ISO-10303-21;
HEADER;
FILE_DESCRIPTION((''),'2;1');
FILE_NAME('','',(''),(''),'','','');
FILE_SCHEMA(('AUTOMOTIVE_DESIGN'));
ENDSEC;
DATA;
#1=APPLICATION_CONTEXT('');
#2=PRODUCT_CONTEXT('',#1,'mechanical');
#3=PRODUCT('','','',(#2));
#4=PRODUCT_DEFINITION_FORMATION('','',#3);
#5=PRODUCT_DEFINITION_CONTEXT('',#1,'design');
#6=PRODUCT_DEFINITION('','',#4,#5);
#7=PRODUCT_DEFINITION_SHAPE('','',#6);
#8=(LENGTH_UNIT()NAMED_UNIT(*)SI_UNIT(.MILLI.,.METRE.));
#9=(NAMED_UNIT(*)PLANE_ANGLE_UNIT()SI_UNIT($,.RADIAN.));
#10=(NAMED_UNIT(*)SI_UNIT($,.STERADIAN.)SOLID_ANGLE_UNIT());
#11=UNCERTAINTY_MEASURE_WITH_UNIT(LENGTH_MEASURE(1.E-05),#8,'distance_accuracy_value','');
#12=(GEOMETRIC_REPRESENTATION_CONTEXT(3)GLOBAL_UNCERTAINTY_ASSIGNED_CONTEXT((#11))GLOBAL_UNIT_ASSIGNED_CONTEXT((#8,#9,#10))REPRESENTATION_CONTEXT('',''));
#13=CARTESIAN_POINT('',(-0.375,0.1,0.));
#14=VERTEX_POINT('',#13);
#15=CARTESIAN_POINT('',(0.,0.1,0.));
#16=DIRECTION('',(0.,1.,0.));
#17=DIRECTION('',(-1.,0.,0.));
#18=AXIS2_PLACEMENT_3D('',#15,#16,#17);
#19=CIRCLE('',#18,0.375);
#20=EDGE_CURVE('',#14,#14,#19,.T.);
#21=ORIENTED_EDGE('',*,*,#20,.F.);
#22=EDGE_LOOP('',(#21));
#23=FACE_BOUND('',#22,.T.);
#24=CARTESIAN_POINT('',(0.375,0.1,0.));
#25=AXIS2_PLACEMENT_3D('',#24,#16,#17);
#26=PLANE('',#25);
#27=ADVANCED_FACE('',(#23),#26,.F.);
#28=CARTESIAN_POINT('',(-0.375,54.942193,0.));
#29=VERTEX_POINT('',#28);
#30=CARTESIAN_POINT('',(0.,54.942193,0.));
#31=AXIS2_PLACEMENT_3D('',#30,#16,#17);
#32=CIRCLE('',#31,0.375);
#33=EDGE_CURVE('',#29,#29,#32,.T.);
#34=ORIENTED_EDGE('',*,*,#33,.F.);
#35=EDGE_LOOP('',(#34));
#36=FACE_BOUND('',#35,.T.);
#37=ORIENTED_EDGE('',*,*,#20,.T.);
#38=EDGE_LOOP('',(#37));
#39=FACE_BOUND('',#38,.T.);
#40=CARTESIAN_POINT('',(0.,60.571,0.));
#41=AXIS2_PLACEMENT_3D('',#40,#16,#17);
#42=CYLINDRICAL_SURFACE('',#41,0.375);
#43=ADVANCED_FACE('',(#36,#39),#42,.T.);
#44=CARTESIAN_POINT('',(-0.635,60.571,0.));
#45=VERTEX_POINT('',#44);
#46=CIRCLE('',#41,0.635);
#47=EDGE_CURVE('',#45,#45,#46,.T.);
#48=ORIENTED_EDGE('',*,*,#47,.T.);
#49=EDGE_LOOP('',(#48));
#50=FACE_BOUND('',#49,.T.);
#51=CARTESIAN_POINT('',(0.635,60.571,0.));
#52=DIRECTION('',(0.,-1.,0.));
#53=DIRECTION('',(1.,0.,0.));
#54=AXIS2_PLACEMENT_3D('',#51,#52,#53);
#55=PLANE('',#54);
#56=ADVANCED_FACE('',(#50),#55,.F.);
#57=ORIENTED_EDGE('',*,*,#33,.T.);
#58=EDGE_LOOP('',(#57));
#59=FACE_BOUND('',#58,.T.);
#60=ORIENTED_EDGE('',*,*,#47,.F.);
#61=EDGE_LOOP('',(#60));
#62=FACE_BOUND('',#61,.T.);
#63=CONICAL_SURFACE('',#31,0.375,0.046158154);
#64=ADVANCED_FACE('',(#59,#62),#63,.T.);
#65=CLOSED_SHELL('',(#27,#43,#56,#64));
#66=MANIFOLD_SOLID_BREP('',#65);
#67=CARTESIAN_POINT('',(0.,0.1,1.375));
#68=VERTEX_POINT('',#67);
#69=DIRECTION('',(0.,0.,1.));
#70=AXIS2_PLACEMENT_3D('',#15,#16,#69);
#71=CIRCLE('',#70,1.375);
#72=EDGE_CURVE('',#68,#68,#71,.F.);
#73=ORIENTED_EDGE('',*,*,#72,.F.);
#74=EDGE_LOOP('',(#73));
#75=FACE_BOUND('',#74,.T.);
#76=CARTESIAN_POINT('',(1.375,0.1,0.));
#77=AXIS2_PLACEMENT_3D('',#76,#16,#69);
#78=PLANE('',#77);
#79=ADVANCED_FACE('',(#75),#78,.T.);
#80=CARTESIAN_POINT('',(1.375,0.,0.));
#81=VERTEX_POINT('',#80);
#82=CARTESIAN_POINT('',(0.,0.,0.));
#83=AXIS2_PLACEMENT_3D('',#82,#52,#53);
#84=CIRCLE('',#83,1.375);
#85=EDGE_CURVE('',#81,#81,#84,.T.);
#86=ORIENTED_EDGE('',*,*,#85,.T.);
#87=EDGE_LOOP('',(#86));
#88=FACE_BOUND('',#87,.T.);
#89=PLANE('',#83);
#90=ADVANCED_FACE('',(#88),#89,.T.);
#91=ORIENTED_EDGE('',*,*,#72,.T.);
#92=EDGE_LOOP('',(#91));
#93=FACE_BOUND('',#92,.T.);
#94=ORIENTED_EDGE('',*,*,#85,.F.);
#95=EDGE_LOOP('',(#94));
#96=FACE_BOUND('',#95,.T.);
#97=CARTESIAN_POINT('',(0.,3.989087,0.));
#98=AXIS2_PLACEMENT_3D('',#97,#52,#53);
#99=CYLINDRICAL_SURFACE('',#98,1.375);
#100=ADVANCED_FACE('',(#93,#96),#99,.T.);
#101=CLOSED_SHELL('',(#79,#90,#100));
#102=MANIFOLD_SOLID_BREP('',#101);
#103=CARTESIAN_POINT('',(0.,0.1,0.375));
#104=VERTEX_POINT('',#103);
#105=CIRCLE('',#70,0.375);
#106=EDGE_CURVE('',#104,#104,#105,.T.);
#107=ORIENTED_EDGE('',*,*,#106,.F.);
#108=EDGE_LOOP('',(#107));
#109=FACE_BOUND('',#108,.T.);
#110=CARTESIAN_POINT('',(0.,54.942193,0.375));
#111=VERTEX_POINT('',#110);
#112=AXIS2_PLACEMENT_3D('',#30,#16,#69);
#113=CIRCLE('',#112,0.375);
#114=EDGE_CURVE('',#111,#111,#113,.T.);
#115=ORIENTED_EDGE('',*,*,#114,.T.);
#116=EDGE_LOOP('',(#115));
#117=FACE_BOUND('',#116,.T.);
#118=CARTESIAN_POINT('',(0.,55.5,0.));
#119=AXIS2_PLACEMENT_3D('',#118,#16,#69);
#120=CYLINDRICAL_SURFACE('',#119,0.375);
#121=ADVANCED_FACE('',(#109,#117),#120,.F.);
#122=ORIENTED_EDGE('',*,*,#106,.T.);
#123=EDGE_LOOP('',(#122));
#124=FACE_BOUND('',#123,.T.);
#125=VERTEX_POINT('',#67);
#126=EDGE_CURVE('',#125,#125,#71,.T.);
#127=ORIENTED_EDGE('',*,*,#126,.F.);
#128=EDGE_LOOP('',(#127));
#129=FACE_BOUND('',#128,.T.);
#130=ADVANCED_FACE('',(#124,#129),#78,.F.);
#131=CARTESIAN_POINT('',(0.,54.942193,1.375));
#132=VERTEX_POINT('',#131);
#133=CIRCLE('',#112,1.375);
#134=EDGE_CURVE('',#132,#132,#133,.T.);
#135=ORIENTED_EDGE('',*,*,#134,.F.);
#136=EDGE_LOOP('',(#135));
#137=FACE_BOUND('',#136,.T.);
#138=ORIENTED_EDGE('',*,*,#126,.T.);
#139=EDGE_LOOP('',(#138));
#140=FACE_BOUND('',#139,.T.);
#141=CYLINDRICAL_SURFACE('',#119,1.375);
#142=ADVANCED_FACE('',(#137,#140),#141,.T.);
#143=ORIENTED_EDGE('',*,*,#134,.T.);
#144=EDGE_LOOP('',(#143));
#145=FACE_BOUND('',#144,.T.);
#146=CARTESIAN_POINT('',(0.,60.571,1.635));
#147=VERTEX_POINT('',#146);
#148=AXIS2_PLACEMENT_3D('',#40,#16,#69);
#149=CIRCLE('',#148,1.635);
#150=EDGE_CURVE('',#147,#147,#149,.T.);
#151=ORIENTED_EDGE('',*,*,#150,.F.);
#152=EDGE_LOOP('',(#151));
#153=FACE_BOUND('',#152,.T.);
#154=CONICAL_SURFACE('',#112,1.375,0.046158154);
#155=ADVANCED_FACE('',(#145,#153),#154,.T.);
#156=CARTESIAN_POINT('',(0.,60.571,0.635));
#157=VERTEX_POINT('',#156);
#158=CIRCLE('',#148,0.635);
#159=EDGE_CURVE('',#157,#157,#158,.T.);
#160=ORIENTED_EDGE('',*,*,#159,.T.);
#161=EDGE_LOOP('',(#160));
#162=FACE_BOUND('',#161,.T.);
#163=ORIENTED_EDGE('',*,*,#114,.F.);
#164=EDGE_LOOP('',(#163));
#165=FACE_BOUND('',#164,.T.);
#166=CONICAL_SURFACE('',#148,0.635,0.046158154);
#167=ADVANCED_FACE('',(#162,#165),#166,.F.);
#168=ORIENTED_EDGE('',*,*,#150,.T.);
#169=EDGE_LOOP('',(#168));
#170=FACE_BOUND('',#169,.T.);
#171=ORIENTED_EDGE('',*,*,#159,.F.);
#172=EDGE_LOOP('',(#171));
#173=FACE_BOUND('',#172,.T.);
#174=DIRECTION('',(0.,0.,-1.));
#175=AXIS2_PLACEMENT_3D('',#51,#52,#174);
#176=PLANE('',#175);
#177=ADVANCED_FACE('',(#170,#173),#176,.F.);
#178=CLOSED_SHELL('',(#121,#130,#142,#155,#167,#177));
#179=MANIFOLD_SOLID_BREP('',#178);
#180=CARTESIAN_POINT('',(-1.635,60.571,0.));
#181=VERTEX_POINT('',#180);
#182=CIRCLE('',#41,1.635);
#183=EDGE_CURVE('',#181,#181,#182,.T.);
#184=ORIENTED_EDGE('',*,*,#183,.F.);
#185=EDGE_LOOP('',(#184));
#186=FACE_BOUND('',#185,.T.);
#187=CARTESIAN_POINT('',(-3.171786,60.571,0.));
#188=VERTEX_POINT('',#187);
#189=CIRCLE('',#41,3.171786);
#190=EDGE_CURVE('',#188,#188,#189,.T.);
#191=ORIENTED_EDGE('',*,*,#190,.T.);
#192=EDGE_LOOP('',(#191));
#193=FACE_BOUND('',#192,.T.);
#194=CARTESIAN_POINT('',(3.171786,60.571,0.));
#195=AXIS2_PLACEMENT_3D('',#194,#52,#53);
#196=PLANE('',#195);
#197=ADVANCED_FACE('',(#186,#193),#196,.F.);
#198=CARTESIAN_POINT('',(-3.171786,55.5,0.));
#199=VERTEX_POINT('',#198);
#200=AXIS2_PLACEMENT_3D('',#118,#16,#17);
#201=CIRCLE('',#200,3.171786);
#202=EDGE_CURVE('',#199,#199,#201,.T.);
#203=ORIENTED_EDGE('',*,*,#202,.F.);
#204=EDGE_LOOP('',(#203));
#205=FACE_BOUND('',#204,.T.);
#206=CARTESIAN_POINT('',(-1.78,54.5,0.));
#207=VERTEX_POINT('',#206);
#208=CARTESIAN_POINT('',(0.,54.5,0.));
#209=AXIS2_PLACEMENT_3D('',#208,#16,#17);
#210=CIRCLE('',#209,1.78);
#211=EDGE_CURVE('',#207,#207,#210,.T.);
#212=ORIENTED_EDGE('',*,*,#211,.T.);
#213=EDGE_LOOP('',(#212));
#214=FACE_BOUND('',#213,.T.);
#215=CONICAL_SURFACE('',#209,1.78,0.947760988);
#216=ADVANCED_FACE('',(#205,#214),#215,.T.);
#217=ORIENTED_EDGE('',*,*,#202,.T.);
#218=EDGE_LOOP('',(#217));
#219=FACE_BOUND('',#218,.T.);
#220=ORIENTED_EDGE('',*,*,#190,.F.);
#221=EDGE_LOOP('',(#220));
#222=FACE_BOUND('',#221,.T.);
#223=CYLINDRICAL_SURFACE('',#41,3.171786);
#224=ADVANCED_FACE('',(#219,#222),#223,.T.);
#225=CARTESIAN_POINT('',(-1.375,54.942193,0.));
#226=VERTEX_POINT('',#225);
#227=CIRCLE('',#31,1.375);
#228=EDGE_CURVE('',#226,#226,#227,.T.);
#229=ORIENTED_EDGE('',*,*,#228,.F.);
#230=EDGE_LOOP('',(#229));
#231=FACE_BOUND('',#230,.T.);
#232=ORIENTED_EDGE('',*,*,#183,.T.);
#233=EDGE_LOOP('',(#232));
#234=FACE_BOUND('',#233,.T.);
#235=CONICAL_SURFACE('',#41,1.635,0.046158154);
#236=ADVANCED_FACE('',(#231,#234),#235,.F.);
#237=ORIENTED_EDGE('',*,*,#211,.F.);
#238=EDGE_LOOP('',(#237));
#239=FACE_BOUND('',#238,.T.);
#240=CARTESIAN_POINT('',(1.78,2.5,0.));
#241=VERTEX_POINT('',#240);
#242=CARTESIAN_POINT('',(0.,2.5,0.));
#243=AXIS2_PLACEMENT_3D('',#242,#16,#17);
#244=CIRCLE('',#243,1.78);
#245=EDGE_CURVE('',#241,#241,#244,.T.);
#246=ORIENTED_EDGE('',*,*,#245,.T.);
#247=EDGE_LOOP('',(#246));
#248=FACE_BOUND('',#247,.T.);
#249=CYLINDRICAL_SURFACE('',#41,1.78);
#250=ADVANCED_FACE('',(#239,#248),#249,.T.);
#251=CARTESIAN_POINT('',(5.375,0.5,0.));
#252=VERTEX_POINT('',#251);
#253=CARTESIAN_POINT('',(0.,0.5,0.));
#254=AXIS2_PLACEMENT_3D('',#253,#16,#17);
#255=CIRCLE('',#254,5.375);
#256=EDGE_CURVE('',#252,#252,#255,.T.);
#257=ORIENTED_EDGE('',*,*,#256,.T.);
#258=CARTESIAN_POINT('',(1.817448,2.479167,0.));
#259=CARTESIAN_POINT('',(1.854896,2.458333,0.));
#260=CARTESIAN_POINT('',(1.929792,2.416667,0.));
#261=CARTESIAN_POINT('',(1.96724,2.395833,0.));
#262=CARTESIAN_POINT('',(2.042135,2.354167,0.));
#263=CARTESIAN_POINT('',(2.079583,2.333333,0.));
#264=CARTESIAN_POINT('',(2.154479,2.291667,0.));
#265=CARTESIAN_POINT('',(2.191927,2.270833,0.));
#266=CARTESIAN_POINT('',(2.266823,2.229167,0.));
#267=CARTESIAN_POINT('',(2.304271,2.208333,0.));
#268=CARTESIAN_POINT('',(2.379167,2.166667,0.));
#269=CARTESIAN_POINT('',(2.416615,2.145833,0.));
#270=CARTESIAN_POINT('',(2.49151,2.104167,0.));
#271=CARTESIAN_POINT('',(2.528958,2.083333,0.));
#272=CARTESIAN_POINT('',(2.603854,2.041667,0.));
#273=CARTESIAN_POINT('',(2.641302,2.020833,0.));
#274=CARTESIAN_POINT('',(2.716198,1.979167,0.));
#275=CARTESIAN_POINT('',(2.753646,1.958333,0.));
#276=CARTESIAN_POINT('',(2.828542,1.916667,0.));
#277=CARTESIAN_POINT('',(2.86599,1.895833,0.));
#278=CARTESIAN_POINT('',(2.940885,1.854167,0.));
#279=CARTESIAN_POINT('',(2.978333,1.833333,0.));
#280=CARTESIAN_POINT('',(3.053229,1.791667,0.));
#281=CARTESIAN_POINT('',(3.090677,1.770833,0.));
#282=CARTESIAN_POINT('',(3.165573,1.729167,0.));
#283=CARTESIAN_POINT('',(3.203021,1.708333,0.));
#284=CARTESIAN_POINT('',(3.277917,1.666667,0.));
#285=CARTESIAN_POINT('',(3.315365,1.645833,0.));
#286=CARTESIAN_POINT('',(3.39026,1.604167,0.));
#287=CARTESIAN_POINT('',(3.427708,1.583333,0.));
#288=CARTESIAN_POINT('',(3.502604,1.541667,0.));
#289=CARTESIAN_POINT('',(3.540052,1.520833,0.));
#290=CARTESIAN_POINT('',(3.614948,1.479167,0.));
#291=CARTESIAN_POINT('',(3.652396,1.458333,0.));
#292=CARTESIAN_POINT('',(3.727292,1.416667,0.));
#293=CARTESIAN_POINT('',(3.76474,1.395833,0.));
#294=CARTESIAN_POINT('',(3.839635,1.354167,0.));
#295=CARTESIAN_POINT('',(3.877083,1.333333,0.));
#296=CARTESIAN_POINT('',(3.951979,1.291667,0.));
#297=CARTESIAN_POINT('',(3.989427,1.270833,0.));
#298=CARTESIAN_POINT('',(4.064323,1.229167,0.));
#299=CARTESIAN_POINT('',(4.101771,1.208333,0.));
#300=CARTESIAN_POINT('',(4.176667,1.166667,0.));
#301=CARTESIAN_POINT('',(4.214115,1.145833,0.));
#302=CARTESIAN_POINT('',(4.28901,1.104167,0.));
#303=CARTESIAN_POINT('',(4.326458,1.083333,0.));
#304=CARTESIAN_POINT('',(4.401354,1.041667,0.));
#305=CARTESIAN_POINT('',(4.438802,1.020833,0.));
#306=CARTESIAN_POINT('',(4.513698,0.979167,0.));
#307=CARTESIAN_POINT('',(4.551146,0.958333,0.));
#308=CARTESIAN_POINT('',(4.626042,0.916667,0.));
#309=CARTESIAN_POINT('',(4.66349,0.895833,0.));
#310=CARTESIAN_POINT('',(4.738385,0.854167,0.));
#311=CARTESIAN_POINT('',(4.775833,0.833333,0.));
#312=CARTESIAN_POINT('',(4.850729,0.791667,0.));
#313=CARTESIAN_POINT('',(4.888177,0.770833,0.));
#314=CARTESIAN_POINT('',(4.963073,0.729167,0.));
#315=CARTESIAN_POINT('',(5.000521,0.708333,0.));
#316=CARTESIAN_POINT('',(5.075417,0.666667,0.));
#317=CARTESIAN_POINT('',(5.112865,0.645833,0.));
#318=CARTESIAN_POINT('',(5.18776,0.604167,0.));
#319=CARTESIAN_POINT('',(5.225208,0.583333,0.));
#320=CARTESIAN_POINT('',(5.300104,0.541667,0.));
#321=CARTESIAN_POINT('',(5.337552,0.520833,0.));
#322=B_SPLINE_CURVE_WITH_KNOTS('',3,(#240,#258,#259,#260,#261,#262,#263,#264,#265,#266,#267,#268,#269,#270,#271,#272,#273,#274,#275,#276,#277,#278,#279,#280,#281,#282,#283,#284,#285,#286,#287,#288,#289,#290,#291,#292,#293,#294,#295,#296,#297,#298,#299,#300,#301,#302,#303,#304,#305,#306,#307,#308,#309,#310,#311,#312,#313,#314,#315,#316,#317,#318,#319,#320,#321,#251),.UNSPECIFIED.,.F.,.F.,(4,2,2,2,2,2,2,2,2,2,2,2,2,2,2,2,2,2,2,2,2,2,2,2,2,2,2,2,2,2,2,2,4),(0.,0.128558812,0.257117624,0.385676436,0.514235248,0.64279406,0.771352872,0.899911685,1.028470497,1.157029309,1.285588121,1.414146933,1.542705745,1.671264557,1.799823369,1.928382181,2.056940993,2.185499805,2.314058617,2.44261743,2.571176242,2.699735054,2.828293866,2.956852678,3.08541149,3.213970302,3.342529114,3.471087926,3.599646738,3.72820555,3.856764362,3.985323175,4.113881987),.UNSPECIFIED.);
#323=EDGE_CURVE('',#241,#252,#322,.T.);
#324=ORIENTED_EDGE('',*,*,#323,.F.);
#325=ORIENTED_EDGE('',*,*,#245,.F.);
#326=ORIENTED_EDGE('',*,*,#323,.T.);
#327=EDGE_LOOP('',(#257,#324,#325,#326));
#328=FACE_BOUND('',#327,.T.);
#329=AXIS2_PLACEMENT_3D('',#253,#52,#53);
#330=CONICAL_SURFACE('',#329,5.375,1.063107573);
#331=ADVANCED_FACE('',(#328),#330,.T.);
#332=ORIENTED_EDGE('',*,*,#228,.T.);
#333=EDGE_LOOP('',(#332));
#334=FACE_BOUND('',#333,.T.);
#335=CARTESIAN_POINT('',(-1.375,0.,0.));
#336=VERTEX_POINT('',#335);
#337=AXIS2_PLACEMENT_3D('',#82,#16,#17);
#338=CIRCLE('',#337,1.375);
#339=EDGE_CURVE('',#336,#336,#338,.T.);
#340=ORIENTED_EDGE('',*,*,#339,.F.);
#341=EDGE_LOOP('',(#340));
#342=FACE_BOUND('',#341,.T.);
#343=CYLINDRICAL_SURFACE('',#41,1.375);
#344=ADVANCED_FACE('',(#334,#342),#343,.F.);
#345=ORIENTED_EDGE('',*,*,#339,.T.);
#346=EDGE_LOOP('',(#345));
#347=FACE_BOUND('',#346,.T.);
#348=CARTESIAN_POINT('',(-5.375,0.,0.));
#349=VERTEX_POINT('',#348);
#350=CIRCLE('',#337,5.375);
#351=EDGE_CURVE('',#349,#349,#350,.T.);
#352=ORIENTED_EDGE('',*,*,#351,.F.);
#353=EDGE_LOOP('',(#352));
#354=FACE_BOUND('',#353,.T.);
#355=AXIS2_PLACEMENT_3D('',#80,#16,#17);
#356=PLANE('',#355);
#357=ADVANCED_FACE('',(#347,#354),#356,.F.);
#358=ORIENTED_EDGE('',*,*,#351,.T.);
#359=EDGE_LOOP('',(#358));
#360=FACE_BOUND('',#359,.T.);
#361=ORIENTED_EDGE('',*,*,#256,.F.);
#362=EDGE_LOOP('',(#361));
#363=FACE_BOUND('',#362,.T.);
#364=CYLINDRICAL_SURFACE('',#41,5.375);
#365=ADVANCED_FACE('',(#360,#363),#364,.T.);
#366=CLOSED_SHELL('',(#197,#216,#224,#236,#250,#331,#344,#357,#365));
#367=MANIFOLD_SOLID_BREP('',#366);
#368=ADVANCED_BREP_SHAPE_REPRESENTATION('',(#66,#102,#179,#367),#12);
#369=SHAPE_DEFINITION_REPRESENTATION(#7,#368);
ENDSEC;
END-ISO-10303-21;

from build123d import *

# Parameters (mm, degrees)
CROQUIS4_R              = 1.375
SALIENTE_EXTRUIR1_DEPTH = 0.1


with BuildPart() as part:
    # Croquis1 → Revolución1 (revolve)
    with BuildSketch(Plane.XY, mode=Mode.PRIVATE) as revoluci_n1_sk:
        Polygon((5.375, 0), (5.375, 0.5), (1.78, 2.5), (1.78, 54.5), (3.171785891, 55.5), (3.171785891, 60.571), (1.635, 60.571), (1.375, 54.942193309), (1.375, 0), align=None)
        Polygon((0.375, 0.1), (0.375, 54.942193309), (0.635, 60.571), (0.442390715, 60.571), (0, 60.571), (0, 0.1), align=None)
    revolve(revoluci_n1_sk.sketch.rotate(Axis((0, 60.571, 0), (0, -1, 0)), 180), axis=Axis((0, 60.571, 0), (0, -1, 0)))


with BuildPart() as body_2:
    # Croquis3 → Revolución2 (revolve)
    with BuildSketch(Plane.XY, mode=Mode.PRIVATE) as revoluci_n2_sk:
        Polygon((0.375, 54.942193309), (0.635, 60.571), (1.635, 60.571), (1.375, 54.942193309), (1.375, 0.1), (0.375, 0.1), align=None)
    revolve(revoluci_n2_sk.sketch.rotate(Axis((0, 55.5, 0), (0, -1, 0)), 90), axis=Axis((0, 55.5, 0), (0, -1, 0)))


with BuildPart() as body_3:
    # Croquis4 → Saliente-Extruir1 (new body)
    with BuildSketch(Plane.XZ):
        Circle(CROQUIS4_R)
    extrude(amount=-SALIENTE_EXTRUIR1_DEPTH)


solid = Compound([part.part, body_2.part, body_3.part])
